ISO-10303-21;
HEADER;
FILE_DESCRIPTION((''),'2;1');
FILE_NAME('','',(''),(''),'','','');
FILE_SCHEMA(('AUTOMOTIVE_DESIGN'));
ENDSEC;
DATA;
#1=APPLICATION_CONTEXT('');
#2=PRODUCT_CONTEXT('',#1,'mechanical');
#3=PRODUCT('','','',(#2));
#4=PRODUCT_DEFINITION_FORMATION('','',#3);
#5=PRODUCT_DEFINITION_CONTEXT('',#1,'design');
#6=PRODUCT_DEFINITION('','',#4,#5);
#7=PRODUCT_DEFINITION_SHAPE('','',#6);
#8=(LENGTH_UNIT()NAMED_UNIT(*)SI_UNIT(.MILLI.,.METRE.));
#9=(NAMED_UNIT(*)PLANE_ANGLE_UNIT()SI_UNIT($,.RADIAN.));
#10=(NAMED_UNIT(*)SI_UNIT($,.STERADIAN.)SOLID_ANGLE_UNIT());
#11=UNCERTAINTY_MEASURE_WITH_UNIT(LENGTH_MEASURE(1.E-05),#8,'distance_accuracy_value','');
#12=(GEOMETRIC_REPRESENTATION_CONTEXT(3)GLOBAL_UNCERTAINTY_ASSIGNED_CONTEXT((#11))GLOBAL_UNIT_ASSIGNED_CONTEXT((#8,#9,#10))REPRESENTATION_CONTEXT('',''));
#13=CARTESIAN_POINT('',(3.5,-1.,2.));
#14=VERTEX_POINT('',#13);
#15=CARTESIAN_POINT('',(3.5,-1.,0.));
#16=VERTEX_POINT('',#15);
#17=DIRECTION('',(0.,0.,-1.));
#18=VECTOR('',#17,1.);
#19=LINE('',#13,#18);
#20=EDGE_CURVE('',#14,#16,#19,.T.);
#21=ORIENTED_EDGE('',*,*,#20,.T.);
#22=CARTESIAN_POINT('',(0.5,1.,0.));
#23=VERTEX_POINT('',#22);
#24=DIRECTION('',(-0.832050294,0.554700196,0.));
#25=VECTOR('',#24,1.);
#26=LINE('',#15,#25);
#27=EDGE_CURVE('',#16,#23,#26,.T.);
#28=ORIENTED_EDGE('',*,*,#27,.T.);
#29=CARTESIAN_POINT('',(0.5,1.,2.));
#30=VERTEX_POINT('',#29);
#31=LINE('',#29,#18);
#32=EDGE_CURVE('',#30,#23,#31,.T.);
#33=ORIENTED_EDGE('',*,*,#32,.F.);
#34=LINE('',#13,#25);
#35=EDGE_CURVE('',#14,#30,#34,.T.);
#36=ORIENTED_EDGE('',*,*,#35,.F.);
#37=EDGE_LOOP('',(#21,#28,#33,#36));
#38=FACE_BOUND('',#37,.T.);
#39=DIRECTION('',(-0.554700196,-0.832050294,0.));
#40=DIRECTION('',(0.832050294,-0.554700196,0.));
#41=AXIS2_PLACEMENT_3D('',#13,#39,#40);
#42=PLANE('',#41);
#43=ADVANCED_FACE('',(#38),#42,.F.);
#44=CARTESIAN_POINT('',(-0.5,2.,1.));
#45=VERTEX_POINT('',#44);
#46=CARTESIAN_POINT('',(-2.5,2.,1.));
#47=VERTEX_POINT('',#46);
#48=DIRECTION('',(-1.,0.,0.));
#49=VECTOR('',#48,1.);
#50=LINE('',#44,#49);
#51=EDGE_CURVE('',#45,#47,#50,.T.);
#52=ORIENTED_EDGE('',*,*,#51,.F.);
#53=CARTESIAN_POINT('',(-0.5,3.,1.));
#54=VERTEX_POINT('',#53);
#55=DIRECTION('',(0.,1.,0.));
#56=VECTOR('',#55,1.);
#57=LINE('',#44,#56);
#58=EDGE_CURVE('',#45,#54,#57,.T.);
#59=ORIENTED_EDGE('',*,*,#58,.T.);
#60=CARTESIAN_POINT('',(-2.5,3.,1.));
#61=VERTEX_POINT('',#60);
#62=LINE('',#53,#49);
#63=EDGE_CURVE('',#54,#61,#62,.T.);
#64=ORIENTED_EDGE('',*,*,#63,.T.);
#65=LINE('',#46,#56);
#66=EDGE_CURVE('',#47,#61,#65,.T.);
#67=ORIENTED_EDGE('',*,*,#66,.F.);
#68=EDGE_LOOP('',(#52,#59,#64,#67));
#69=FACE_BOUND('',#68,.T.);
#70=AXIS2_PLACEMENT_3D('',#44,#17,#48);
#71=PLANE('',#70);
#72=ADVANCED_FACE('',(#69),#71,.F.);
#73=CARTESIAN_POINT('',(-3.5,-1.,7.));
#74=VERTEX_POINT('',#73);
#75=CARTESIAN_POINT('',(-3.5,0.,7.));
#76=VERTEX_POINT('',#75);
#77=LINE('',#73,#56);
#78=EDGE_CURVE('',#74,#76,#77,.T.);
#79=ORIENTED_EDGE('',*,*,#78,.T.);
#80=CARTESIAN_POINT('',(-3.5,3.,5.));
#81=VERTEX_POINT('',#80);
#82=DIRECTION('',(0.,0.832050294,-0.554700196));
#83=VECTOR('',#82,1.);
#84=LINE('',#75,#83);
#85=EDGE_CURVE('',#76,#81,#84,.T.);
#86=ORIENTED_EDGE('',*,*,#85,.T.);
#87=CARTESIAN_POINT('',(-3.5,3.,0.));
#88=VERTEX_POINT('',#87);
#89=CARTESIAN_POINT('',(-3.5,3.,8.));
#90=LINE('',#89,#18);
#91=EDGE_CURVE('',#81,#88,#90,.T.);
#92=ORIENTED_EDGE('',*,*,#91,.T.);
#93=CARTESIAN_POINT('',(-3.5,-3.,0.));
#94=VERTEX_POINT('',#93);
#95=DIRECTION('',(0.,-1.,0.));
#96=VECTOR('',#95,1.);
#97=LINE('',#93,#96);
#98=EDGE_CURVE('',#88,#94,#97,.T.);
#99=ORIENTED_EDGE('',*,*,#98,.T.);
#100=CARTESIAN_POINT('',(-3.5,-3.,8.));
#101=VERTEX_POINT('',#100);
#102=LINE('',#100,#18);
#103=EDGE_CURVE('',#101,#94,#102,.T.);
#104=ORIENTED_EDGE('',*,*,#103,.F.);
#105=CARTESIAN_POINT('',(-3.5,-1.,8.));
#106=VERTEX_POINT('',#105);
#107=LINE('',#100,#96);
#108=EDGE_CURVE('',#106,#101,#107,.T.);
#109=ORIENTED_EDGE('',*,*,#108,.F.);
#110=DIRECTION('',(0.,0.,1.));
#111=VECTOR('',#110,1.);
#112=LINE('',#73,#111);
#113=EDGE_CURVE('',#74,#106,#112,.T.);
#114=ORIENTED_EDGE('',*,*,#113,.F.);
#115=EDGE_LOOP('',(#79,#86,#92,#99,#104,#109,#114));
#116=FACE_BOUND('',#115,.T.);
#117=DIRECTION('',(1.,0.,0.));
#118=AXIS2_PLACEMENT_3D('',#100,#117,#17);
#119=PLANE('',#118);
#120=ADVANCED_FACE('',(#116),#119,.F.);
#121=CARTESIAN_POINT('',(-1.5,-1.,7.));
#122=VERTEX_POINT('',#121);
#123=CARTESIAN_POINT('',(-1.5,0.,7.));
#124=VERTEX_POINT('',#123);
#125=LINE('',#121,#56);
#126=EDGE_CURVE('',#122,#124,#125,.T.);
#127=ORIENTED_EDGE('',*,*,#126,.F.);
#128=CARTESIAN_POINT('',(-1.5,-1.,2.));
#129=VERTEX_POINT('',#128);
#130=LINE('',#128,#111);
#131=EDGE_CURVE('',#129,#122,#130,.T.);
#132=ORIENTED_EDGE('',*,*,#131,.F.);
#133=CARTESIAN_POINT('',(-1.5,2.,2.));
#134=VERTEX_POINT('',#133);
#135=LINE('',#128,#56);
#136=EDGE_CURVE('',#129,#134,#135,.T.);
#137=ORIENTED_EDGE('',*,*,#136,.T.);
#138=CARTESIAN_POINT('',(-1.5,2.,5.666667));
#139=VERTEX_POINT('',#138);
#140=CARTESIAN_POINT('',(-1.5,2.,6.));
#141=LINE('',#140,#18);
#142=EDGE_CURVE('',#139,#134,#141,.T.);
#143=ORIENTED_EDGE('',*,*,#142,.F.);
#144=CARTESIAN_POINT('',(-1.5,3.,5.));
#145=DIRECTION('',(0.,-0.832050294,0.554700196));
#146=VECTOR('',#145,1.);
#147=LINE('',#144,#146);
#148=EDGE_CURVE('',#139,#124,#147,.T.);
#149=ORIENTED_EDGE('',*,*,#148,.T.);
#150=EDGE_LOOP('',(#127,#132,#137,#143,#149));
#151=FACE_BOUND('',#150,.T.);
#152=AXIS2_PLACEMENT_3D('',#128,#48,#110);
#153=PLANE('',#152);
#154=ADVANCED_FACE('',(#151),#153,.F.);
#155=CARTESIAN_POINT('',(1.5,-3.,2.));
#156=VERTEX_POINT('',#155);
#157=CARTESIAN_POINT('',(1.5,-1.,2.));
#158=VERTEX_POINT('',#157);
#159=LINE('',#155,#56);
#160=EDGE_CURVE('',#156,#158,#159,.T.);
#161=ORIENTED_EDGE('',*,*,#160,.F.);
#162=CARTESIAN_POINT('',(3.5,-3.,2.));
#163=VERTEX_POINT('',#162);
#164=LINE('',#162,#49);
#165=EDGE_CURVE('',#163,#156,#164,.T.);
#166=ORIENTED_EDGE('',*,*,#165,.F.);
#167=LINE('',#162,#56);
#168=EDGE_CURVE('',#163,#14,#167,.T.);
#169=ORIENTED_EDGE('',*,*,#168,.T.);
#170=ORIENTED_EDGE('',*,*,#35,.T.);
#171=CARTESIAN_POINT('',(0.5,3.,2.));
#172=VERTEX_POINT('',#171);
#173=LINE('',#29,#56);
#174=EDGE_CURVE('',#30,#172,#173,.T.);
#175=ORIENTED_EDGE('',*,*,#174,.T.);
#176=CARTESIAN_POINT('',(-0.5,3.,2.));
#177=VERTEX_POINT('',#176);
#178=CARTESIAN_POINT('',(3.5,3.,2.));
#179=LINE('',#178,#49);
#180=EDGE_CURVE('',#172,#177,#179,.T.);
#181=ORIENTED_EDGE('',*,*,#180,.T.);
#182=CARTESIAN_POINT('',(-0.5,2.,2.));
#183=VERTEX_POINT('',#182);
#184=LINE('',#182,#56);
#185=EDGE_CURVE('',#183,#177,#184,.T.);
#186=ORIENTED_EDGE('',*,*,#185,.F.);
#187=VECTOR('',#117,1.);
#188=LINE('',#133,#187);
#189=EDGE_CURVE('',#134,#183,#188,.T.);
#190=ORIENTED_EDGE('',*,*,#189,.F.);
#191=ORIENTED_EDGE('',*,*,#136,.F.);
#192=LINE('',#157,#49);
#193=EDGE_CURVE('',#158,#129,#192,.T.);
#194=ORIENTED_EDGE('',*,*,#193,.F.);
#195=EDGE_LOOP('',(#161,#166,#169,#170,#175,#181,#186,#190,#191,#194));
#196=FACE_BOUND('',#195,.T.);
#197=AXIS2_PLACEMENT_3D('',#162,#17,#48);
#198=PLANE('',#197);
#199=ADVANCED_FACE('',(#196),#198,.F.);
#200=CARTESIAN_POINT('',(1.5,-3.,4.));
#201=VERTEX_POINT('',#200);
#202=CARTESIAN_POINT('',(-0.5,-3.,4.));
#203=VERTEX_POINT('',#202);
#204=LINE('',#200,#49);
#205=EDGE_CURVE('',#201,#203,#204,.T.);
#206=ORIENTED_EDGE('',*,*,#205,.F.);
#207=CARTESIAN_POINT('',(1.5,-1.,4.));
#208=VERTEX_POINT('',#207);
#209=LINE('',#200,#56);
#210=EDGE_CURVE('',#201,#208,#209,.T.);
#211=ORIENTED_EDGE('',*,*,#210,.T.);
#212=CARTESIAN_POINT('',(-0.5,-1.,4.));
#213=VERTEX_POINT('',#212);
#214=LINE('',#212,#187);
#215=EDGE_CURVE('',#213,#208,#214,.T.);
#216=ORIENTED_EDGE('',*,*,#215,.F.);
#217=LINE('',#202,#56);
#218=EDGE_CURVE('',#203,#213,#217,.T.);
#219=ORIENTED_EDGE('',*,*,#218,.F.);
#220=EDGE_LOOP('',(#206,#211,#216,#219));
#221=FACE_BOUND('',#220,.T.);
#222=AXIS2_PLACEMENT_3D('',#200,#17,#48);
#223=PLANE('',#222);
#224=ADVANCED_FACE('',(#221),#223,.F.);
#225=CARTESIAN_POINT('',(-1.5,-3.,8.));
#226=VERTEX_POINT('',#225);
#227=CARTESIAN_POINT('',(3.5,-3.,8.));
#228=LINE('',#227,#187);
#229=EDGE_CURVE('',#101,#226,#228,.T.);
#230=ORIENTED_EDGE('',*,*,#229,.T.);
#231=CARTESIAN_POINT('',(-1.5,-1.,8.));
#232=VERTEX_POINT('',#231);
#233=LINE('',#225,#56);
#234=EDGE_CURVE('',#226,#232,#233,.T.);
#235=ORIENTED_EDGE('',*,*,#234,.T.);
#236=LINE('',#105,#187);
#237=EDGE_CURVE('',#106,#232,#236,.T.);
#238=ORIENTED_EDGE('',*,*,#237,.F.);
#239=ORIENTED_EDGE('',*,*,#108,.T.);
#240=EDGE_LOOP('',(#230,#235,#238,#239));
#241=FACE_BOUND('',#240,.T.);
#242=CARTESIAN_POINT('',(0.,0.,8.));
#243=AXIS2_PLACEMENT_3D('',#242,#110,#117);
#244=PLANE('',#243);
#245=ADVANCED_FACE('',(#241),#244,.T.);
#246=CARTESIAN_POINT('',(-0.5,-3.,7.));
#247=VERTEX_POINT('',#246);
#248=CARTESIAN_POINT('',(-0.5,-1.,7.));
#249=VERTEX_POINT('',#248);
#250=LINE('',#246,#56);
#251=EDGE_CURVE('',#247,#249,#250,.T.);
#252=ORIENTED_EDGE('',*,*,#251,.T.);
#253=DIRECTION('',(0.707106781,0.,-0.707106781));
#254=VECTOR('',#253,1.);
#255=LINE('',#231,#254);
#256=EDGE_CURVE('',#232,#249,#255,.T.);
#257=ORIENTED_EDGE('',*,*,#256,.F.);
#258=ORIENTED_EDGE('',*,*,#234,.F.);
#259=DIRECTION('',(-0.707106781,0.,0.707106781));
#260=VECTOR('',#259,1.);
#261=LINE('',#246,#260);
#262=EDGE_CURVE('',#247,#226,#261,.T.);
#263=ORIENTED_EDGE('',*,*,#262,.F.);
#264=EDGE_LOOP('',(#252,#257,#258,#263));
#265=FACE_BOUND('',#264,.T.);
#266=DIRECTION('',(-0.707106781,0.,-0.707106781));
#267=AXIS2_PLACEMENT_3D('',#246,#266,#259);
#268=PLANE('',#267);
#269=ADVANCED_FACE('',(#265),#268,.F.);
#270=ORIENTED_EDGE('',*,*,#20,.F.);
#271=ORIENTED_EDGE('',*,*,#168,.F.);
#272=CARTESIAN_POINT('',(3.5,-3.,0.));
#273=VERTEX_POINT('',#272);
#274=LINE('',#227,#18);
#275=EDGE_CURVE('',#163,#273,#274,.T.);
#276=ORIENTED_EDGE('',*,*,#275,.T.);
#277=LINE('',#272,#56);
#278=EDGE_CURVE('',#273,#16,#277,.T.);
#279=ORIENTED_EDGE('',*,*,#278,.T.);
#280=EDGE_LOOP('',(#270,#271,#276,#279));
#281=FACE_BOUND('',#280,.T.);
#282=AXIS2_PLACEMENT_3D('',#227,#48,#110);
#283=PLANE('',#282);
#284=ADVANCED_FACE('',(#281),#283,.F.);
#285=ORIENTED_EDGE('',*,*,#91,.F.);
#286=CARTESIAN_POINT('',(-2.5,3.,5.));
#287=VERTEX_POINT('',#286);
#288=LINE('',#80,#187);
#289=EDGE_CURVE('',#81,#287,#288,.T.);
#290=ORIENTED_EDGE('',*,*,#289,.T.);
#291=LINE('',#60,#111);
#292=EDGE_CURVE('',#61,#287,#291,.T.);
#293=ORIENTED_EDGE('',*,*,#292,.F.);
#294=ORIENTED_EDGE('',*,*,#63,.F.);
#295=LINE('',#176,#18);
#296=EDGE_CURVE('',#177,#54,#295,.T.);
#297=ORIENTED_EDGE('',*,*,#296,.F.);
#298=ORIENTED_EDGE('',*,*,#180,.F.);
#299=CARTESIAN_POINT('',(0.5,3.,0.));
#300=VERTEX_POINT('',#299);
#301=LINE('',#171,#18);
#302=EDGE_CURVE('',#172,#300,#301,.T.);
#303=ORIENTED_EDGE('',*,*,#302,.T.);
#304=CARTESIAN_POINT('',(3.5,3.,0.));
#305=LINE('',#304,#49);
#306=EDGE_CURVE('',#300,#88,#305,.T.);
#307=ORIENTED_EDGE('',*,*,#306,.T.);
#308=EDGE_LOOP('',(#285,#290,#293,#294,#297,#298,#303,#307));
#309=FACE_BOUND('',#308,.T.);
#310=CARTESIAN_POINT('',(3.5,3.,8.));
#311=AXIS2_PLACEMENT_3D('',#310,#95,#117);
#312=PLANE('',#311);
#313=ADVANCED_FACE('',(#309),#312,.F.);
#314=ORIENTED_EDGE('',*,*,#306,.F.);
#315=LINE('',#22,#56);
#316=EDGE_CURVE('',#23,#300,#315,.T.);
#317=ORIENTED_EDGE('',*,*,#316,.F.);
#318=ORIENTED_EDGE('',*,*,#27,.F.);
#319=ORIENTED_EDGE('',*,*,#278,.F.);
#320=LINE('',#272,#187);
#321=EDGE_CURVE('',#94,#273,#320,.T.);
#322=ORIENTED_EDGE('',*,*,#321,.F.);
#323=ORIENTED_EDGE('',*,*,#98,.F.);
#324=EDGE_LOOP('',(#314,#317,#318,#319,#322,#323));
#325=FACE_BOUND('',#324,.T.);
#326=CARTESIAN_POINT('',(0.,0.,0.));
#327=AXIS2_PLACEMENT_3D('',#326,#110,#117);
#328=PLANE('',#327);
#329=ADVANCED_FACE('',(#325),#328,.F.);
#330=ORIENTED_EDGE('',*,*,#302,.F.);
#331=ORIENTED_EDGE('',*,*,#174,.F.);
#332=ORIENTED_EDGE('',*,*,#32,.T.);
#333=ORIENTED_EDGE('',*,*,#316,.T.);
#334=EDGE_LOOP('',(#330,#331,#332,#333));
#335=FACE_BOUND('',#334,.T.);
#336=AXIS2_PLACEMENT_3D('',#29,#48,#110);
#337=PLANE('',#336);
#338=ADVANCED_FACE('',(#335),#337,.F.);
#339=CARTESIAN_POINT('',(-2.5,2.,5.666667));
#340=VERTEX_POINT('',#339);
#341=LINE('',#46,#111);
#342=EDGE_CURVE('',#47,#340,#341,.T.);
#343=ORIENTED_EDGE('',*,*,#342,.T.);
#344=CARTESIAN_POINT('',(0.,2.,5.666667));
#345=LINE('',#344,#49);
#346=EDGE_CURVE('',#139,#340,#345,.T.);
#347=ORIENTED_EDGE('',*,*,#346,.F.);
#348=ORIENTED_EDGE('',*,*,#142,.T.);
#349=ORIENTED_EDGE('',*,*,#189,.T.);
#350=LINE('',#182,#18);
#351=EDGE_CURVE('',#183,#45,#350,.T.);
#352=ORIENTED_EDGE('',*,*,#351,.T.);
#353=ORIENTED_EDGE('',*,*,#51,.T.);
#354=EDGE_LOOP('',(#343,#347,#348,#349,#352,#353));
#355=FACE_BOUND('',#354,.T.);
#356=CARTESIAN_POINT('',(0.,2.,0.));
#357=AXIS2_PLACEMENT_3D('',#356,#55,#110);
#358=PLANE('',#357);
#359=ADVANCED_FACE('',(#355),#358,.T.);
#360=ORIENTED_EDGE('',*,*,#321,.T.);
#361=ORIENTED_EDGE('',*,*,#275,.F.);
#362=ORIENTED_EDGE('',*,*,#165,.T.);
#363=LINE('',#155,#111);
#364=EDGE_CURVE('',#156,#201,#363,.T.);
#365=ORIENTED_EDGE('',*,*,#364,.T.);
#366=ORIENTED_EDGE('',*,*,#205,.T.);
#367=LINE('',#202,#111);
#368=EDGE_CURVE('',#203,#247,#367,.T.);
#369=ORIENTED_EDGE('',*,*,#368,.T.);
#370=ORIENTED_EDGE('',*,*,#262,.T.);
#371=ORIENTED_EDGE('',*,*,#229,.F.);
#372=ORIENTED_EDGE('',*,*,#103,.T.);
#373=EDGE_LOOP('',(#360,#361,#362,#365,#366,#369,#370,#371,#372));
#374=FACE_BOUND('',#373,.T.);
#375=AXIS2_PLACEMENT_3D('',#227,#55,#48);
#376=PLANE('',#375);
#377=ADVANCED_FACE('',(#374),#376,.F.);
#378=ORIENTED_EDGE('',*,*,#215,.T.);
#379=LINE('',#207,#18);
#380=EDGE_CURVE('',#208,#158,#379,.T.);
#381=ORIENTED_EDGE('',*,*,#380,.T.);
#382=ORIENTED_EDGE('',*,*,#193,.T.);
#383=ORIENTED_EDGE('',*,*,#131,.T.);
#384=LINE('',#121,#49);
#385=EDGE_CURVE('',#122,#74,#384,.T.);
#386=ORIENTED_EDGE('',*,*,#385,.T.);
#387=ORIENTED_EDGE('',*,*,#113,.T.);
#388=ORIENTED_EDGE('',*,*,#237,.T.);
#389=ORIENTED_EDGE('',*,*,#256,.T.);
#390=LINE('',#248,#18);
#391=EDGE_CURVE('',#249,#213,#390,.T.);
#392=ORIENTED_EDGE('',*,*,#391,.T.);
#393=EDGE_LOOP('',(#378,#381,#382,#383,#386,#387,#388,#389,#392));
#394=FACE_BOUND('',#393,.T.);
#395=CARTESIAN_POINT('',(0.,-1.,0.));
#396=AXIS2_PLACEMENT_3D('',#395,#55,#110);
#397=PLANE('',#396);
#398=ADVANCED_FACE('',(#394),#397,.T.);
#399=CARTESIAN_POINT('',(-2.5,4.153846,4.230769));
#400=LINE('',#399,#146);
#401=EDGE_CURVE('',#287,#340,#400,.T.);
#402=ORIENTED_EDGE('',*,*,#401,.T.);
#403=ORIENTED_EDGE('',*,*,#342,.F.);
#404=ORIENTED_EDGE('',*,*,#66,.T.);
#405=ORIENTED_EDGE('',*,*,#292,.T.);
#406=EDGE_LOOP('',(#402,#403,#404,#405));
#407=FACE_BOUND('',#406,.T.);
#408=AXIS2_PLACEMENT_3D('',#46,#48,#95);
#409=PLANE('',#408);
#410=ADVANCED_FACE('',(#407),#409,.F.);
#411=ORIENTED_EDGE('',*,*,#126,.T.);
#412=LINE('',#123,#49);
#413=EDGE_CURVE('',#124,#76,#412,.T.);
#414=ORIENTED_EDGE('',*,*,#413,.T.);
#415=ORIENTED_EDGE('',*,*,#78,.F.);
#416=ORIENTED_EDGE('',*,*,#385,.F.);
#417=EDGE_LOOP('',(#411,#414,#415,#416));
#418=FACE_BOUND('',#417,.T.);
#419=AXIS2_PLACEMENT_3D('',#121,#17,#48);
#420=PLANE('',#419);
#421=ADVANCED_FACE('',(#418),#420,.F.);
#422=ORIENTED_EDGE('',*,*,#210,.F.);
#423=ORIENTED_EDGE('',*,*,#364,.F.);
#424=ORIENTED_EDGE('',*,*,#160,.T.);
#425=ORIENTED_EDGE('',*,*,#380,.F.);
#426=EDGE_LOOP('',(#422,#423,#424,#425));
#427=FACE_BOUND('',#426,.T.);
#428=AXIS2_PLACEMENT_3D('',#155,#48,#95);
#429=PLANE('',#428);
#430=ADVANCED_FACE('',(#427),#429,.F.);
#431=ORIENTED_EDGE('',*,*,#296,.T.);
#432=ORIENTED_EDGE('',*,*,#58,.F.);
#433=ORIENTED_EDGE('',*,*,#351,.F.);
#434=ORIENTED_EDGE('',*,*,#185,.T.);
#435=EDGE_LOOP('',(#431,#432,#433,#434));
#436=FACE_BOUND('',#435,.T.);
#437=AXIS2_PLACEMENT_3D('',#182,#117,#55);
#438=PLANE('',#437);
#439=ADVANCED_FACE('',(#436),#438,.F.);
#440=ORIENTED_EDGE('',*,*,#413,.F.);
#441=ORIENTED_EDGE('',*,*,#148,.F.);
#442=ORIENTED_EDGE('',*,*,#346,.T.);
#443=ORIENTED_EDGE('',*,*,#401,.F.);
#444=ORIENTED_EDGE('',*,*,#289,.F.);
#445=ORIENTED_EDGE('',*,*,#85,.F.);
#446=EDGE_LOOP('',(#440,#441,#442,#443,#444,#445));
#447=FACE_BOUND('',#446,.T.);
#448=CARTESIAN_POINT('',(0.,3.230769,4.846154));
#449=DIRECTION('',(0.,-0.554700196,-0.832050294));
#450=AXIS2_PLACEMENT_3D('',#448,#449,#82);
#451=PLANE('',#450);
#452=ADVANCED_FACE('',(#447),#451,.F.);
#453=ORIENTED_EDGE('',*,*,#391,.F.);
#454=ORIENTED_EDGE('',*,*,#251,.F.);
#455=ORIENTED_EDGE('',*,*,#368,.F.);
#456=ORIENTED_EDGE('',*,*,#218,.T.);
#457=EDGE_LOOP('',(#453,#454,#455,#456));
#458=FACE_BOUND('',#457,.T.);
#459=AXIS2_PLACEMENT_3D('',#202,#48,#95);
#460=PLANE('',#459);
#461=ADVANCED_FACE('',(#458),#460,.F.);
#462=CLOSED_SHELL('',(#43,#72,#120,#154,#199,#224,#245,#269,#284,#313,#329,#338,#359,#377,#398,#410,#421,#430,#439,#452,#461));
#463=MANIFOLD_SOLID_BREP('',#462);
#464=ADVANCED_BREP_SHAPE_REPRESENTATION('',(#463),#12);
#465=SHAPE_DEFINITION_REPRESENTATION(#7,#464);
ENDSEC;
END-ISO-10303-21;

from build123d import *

# Parameters (mm, degrees)
SKETCH1_W           = 7
SKETCH1_H           = 6
BOSS_EXTRUDE2_DEPTH = 8
CUT_EXTRUDE2_DEPTH  = 7
CUT_EXTRUDE3_DEPTH  = 4
CUT_EXTRUDE4_DEPTH  = 2
CUT_EXTRUDE5_DEPTH  = 1
SKETCH10_W          = 2
SKETCH10_H          = 3.605551276
CUT_EXTRUDE6_DEPTH  = 3.496150883


with BuildPart() as part:
    # Sketch1 → Boss-Extrude2 (new body)
    with BuildSketch(Plane.XY):
        Rectangle(SKETCH1_W, SKETCH1_H)
    extrude(amount=BOSS_EXTRUDE2_DEPTH)

    # Sketch4 → Cut-Extrude2 (cut, through all)
    with BuildSketch(Plane(origin=(0, 3, 0), x_dir=(1, 0, 0), z_dir=(0, 1, 0))):
        Polygon((3.5, -2), (1.5, -2), (1.5, -4), (-0.5, -4), (-0.5, -7), (-1.5, -8), (3.5, -8), align=None)
    extrude(amount=-CUT_EXTRUDE2_DEPTH, mode=Mode.SUBTRACT)

    # Sketch5 → Cut-Extrude3 (cut)
    with BuildSketch(Plane(origin=(0, 3, 0), x_dir=(1, 0, 0), z_dir=(0, 1, 0))):
        Polygon((1.5, -4), (1.5, -2), (-1.5, -2), (-1.5, -7), (-3.5, -7), (-3.5, -8), (-1.5, -8), (-0.5, -7), (-0.5, -4), align=None)
    extrude(amount=-CUT_EXTRUDE3_DEPTH, mode=Mode.SUBTRACT)

    # Sketch6 → Cut-Extrude4 (cut)
    with BuildSketch(Plane(origin=(0, 0, 0), x_dir=(-1, 0, 0), z_dir=(0, 0, -1))):
        Polygon((-3.5, -1), (-0.5, 1), (-0.5, 3), (-3.5, 3), align=None)
    extrude(amount=-CUT_EXTRUDE4_DEPTH, mode=Mode.SUBTRACT)

    # Sketch7 → Cut-Extrude5 (cut)
    with BuildSketch(Plane(origin=(0, 3, 0), x_dir=(1, 0, 0), z_dir=(0, 1, 0))):
        Polygon((-0.5, -2), (-0.5, -1), (-2.5, -1), (-2.5, -6), (-1.5, -6), (-1.5, -2), align=None)
    extrude(amount=-CUT_EXTRUDE5_DEPTH, mode=Mode.SUBTRACT)

    # Sketch10 → Cut-Extrude6 (cut, through all)
    with BuildSketch(Plane(origin=(0, 3.230769231, 4.846153846), x_dir=(-1, 0, 0), z_dir=(0, -0.554700196, -0.832050294))):
        with Locations((2.5, -2.080125736)):
            Rectangle(SKETCH10_W, SKETCH10_H)
    extrude(amount=-CUT_EXTRUDE6_DEPTH, mode=Mode.SUBTRACT)


solid = part.part
